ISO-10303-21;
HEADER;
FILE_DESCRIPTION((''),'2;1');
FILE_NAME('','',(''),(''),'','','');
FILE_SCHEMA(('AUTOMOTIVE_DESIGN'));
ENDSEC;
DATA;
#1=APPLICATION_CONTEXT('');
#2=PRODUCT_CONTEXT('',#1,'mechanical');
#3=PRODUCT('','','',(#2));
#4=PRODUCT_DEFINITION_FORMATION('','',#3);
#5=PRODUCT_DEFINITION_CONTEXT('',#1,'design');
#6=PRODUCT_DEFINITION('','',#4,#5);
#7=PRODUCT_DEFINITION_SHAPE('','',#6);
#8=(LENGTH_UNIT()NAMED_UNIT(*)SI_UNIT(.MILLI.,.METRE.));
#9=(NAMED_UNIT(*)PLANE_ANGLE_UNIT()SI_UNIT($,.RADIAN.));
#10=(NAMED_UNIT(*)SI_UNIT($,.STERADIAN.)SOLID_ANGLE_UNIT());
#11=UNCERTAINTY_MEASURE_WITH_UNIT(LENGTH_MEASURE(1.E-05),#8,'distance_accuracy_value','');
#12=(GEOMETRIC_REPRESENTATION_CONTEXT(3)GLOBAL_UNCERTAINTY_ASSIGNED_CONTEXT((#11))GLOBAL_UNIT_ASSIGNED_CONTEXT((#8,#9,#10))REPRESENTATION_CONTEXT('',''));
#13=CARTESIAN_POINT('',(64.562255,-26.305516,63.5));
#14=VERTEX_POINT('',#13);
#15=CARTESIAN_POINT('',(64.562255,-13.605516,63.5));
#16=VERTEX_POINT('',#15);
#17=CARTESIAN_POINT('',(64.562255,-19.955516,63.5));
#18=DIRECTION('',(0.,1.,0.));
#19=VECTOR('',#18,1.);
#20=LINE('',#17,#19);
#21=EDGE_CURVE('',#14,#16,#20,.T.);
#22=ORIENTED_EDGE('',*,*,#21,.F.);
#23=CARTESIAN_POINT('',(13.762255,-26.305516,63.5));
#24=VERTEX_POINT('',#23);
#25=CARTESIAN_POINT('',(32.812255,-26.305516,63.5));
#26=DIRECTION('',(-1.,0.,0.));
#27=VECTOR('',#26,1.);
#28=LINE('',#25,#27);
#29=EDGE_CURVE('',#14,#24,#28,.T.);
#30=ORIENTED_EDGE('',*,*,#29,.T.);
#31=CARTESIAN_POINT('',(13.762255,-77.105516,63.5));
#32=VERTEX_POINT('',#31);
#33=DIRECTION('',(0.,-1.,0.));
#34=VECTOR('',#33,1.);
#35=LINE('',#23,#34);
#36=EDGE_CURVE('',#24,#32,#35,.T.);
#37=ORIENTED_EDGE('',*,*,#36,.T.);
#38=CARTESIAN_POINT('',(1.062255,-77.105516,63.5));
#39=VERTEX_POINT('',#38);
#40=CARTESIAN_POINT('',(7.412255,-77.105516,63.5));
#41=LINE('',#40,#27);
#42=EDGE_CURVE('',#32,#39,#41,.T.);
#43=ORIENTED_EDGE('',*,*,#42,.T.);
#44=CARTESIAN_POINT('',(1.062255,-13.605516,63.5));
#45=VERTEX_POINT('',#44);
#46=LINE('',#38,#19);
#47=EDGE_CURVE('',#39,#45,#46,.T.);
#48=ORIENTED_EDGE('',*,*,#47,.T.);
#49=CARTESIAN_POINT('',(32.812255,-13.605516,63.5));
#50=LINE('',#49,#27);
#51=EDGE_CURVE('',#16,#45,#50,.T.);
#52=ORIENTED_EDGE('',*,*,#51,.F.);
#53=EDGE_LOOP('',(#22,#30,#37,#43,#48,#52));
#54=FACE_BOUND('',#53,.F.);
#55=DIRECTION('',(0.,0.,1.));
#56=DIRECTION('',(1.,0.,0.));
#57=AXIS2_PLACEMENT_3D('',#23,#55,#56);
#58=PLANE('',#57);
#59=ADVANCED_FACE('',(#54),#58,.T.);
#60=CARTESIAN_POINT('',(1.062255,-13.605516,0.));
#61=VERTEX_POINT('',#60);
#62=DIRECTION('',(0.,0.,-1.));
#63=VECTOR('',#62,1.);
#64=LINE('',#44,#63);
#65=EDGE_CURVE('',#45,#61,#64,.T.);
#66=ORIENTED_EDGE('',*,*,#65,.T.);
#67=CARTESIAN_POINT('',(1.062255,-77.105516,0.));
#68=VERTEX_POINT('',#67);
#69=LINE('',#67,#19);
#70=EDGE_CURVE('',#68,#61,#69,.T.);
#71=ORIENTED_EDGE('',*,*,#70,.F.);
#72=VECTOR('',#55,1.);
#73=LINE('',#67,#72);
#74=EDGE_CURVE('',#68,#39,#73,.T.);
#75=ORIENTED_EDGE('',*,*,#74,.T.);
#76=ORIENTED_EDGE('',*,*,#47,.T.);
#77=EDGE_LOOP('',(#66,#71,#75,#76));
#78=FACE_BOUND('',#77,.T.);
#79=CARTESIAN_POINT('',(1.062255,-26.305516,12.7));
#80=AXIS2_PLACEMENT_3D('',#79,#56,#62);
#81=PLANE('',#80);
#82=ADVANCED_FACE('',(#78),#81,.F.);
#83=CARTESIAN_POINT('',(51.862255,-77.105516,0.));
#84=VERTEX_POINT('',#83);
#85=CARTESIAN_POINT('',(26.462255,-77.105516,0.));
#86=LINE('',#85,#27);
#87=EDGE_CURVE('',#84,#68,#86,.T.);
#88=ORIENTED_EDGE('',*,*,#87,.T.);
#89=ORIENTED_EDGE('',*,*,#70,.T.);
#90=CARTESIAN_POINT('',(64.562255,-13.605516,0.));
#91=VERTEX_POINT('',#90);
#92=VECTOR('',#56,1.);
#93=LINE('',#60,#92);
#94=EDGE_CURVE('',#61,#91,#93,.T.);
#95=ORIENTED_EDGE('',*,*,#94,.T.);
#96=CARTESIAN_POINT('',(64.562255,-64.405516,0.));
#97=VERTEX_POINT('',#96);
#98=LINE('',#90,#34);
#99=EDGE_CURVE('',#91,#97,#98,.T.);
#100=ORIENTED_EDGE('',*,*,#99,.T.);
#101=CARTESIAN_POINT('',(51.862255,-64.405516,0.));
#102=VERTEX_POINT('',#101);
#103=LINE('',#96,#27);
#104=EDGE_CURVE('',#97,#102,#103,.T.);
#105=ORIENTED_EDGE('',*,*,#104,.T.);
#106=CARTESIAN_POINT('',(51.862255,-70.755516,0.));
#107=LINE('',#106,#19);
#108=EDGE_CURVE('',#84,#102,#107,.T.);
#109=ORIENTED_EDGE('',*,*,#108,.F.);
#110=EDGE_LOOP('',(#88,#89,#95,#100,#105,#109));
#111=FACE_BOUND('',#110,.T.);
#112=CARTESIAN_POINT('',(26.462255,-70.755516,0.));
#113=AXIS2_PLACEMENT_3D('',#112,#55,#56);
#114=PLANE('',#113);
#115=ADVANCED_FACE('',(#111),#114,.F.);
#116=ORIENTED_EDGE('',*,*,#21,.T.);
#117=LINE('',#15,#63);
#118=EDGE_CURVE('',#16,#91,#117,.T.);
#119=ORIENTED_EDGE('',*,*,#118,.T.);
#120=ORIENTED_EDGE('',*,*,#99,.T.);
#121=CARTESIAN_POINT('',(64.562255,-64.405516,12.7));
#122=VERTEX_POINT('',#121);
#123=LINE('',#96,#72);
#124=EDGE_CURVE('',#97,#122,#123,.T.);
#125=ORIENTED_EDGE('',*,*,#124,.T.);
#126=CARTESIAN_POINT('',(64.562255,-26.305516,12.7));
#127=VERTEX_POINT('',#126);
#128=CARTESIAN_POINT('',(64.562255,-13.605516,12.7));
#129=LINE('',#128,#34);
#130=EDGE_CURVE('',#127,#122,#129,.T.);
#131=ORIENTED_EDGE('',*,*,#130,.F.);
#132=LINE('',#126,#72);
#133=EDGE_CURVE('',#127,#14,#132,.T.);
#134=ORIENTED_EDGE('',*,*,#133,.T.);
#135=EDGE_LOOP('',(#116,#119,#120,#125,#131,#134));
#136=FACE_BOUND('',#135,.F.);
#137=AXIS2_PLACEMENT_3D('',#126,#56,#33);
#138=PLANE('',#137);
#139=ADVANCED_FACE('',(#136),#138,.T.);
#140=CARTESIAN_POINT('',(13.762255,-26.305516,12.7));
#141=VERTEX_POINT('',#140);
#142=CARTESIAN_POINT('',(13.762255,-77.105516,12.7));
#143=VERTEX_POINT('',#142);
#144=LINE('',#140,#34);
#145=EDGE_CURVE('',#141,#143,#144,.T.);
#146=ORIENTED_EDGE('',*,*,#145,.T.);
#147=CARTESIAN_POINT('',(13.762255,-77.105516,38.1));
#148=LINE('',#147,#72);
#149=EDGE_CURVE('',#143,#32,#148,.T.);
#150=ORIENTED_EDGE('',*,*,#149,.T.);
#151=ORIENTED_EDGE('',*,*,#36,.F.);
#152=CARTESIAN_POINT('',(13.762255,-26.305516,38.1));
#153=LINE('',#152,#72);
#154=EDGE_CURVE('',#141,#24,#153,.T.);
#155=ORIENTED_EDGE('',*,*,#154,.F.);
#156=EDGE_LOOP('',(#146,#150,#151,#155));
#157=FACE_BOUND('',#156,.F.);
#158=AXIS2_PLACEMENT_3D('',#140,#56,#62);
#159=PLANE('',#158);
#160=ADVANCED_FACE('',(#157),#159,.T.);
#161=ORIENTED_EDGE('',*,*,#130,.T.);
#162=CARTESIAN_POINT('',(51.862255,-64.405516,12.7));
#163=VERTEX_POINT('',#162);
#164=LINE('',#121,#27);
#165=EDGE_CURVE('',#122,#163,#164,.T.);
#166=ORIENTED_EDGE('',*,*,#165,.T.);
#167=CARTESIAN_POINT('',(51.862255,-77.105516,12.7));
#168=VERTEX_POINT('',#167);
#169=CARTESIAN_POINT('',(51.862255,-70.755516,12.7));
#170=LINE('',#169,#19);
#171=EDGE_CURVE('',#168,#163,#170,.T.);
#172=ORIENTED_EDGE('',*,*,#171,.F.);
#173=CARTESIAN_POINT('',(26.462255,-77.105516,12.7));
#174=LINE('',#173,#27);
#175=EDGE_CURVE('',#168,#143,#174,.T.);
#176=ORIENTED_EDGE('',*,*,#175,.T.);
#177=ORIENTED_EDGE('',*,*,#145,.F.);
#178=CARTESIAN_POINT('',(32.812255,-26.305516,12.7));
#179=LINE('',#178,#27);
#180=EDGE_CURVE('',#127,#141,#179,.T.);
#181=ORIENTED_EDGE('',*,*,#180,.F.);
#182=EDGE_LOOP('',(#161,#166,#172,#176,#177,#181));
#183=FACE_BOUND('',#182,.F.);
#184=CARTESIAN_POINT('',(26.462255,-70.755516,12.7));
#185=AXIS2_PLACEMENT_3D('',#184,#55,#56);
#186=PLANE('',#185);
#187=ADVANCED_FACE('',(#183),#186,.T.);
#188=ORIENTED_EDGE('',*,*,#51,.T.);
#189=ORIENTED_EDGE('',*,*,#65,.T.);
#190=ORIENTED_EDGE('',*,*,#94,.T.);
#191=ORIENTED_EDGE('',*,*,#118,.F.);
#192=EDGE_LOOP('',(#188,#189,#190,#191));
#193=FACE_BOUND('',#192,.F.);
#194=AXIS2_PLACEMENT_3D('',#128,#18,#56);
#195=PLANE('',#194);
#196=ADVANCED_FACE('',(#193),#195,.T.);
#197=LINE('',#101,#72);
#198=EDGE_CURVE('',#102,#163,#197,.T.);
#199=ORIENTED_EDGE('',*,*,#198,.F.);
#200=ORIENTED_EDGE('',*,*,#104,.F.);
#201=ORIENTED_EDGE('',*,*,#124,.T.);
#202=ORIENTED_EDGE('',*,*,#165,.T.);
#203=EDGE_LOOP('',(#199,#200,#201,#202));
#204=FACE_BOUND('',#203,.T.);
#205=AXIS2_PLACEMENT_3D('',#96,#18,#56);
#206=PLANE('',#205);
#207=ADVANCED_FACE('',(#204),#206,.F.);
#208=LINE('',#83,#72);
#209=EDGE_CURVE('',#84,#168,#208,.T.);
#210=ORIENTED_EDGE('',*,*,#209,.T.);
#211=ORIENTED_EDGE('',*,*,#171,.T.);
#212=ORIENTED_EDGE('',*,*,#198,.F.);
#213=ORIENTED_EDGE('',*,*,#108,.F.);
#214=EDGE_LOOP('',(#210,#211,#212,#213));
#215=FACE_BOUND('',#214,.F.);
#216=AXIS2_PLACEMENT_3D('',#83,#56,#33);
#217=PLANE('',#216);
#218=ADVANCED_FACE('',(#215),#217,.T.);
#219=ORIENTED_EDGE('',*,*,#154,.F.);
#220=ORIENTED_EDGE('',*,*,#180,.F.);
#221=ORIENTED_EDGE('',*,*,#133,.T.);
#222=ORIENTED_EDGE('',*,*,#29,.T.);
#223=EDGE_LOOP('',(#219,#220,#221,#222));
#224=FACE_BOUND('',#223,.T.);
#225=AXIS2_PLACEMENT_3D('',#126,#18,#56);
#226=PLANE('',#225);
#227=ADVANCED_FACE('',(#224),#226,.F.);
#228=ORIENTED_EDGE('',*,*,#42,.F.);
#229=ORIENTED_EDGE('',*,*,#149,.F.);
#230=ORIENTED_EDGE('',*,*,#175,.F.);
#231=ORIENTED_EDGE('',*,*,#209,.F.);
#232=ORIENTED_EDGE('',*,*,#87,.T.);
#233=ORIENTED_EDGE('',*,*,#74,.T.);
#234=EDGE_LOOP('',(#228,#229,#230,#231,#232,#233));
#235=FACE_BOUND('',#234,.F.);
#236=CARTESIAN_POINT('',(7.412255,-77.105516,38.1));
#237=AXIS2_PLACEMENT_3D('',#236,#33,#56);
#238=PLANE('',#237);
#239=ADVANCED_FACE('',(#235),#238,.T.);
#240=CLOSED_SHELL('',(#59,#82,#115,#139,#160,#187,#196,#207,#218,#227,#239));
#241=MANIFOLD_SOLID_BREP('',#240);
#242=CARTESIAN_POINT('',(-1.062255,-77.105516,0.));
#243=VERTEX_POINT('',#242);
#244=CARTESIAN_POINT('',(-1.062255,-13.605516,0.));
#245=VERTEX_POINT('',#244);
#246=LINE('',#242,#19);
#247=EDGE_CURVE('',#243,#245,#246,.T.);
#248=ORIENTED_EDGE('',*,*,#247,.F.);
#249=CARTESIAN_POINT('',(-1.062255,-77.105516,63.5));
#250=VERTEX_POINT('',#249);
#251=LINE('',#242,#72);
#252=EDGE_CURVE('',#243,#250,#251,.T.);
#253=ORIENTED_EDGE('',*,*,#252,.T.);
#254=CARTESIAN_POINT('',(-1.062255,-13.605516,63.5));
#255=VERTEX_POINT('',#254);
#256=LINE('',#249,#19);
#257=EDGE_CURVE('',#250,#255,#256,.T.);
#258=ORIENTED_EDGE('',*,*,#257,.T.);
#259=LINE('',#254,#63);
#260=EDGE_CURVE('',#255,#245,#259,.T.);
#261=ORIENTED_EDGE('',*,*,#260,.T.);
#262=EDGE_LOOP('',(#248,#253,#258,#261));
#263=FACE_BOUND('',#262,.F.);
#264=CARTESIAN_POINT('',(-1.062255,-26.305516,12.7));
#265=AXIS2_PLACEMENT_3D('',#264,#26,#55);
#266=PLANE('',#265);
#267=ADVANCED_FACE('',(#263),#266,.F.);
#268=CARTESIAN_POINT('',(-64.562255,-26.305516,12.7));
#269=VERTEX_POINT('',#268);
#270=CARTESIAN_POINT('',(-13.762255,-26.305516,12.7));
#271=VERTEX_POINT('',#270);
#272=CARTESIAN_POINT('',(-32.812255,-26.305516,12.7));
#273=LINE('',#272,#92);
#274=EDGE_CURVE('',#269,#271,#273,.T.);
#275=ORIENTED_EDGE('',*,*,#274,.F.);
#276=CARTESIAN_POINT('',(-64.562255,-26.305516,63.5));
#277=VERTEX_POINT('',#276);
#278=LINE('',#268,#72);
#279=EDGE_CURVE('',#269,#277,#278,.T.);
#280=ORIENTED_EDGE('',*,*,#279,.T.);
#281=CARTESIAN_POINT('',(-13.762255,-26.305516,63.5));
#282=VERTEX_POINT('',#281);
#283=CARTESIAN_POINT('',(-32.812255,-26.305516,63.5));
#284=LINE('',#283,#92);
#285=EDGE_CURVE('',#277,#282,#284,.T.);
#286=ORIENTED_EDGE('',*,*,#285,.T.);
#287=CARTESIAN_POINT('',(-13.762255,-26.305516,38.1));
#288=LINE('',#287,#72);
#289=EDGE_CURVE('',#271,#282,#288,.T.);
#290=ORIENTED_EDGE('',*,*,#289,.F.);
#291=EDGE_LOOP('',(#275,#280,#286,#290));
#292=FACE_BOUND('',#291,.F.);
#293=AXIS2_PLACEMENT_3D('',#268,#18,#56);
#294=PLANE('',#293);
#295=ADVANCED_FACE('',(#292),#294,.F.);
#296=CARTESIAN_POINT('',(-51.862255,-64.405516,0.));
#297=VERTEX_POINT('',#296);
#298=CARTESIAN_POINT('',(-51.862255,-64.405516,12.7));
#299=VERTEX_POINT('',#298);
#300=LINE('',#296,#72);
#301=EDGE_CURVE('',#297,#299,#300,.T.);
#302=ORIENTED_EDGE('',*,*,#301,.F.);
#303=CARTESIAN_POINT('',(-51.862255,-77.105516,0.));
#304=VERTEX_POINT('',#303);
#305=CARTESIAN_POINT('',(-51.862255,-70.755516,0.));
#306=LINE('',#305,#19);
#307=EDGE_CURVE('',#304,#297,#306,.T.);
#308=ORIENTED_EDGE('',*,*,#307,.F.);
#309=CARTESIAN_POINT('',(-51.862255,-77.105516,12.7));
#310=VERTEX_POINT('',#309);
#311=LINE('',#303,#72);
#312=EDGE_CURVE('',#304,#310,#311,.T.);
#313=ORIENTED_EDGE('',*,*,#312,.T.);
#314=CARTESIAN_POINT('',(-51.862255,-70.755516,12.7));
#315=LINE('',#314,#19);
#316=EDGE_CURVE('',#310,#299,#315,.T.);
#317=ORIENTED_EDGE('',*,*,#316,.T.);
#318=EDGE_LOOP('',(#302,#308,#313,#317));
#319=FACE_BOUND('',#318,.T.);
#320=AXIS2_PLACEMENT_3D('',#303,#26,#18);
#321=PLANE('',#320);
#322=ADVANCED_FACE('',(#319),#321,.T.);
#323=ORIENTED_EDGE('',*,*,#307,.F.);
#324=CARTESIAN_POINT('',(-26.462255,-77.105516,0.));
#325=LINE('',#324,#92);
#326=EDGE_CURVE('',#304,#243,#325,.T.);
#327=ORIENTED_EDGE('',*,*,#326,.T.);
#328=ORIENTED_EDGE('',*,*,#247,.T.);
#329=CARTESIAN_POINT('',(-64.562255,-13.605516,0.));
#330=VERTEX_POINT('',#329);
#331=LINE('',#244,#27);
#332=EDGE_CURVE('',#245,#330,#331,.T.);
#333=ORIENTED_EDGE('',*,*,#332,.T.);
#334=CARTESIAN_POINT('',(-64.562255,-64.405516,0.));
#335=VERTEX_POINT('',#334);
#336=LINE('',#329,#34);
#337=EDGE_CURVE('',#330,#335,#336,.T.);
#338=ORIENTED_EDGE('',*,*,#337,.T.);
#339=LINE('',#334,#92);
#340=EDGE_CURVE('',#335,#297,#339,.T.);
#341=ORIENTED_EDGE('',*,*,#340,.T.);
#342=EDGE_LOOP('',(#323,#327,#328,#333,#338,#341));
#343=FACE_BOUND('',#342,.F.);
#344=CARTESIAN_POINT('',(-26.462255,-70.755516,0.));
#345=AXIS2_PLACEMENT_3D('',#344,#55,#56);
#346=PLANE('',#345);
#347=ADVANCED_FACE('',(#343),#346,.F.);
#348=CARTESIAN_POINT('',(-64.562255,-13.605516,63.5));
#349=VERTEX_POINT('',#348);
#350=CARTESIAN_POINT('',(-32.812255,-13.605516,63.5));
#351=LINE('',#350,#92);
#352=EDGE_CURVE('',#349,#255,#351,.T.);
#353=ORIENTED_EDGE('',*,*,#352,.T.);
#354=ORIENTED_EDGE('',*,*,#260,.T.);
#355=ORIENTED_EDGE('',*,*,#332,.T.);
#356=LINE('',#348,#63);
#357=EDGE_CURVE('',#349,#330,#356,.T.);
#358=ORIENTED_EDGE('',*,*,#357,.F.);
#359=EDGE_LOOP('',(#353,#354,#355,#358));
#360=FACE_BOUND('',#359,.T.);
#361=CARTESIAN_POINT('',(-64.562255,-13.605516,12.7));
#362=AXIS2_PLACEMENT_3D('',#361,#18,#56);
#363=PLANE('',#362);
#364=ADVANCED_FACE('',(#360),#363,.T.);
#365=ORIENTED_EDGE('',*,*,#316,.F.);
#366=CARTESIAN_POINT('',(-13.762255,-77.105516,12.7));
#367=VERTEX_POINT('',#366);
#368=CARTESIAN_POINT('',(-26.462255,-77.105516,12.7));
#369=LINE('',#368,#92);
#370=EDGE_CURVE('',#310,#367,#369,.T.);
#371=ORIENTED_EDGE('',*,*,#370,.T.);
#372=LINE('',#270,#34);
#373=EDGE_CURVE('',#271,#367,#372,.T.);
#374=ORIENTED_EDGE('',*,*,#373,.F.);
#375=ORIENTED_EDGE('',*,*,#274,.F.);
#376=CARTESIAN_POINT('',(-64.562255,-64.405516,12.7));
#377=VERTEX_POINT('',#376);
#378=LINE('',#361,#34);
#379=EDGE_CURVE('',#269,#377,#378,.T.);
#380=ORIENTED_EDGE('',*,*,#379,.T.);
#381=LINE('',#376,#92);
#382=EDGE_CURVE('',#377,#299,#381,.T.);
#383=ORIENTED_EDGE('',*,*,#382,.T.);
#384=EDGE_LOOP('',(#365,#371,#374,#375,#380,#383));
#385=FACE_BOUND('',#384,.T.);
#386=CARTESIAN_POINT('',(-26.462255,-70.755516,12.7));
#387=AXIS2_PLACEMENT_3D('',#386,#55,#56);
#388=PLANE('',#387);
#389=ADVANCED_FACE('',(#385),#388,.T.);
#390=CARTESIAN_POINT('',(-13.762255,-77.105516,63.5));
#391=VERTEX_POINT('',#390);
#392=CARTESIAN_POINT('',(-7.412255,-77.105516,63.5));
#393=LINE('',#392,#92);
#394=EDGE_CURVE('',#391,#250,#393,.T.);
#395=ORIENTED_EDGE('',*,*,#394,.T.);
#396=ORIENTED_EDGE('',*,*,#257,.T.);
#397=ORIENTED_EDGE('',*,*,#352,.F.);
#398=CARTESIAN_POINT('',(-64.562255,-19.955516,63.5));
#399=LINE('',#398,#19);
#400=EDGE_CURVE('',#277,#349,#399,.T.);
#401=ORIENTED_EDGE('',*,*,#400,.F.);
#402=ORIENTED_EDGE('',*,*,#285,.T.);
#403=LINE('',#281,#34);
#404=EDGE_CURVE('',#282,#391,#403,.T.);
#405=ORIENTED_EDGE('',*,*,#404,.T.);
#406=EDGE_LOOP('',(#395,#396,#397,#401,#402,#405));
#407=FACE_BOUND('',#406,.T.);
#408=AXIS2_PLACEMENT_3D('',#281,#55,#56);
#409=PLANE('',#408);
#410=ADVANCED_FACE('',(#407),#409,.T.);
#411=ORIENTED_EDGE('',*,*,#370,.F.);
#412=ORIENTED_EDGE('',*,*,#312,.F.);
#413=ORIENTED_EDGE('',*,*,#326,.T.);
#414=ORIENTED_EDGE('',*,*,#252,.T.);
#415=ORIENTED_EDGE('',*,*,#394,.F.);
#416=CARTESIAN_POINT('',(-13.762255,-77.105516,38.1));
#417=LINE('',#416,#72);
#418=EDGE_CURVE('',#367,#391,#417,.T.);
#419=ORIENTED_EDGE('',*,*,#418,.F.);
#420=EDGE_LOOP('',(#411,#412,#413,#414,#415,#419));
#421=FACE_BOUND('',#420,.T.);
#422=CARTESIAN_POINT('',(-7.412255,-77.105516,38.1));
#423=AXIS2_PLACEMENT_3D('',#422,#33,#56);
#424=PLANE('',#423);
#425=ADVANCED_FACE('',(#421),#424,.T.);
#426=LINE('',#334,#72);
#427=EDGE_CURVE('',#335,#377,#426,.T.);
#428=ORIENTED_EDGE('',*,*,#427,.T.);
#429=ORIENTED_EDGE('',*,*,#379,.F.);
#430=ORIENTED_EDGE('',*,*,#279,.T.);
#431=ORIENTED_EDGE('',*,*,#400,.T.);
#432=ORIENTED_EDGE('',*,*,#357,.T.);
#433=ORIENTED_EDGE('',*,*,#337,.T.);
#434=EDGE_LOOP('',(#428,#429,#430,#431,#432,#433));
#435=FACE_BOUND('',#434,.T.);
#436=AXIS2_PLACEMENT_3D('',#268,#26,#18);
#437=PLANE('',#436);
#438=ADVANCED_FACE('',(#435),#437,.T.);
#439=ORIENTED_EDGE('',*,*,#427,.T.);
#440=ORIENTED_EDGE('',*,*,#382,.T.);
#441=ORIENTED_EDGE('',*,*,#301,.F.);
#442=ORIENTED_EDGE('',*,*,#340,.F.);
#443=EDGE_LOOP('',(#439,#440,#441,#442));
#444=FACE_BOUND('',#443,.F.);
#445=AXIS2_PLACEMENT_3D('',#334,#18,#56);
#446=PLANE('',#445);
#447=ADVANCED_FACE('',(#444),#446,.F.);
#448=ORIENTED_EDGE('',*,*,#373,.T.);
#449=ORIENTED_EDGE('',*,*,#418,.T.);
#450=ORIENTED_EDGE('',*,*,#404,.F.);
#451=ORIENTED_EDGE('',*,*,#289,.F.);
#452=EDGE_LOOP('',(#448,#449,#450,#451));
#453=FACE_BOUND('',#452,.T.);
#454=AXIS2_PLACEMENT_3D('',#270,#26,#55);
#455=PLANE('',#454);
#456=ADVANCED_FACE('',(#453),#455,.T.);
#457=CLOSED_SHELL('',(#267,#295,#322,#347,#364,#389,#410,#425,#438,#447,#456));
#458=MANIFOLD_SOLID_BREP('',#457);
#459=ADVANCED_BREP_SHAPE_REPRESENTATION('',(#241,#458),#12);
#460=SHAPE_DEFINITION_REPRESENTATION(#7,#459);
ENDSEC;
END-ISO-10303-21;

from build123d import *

# Parameters (mm, degrees)
F0_W     = 50.8
F0_H     = 12.7
F1_DEPTH = 12.7
F2_W     = 63.5
F2_H     = 12.7
F3_DEPTH = 50.8
F4_W     = 12.7
F4_H     = 50.8
F5_DEPTH = 50.8


with BuildPart() as f1:
    # F0 (on Top) → F1 (new body)
    with BuildSketch(Plane.XY):
        with Locations((-26.462255, -70.755516)):
            Rectangle(F0_W, F0_H)
        Polygon((-64.562255, -13.605516), (-64.562255, -64.405516), (-51.862255, -64.405516), (-1.062255, -64.405516), (-1.062255, -13.605516), align=None)
    extrude(amount=F1_DEPTH)

    # F2 (on face) → F3 (join)
    with BuildSketch(Plane.XY.offset(12.7)):
        with Locations((-32.812255, -19.955516)):
            Rectangle(F2_W, F2_H)
    extrude(amount=F3_DEPTH)

    # F4 (on face) → F5 (join)
    with BuildSketch(Plane.XZ.offset(26.305516)):
        with Locations((-7.412255, 38.1)):
            Rectangle(F4_W, F4_H)
    extrude(amount=F5_DEPTH)


with BuildPart() as f6_1:
    # F6: instance of F1
    add(f1.part.mirror(Plane.YZ))


solid = Compound([f1.part, f6_1.part])
